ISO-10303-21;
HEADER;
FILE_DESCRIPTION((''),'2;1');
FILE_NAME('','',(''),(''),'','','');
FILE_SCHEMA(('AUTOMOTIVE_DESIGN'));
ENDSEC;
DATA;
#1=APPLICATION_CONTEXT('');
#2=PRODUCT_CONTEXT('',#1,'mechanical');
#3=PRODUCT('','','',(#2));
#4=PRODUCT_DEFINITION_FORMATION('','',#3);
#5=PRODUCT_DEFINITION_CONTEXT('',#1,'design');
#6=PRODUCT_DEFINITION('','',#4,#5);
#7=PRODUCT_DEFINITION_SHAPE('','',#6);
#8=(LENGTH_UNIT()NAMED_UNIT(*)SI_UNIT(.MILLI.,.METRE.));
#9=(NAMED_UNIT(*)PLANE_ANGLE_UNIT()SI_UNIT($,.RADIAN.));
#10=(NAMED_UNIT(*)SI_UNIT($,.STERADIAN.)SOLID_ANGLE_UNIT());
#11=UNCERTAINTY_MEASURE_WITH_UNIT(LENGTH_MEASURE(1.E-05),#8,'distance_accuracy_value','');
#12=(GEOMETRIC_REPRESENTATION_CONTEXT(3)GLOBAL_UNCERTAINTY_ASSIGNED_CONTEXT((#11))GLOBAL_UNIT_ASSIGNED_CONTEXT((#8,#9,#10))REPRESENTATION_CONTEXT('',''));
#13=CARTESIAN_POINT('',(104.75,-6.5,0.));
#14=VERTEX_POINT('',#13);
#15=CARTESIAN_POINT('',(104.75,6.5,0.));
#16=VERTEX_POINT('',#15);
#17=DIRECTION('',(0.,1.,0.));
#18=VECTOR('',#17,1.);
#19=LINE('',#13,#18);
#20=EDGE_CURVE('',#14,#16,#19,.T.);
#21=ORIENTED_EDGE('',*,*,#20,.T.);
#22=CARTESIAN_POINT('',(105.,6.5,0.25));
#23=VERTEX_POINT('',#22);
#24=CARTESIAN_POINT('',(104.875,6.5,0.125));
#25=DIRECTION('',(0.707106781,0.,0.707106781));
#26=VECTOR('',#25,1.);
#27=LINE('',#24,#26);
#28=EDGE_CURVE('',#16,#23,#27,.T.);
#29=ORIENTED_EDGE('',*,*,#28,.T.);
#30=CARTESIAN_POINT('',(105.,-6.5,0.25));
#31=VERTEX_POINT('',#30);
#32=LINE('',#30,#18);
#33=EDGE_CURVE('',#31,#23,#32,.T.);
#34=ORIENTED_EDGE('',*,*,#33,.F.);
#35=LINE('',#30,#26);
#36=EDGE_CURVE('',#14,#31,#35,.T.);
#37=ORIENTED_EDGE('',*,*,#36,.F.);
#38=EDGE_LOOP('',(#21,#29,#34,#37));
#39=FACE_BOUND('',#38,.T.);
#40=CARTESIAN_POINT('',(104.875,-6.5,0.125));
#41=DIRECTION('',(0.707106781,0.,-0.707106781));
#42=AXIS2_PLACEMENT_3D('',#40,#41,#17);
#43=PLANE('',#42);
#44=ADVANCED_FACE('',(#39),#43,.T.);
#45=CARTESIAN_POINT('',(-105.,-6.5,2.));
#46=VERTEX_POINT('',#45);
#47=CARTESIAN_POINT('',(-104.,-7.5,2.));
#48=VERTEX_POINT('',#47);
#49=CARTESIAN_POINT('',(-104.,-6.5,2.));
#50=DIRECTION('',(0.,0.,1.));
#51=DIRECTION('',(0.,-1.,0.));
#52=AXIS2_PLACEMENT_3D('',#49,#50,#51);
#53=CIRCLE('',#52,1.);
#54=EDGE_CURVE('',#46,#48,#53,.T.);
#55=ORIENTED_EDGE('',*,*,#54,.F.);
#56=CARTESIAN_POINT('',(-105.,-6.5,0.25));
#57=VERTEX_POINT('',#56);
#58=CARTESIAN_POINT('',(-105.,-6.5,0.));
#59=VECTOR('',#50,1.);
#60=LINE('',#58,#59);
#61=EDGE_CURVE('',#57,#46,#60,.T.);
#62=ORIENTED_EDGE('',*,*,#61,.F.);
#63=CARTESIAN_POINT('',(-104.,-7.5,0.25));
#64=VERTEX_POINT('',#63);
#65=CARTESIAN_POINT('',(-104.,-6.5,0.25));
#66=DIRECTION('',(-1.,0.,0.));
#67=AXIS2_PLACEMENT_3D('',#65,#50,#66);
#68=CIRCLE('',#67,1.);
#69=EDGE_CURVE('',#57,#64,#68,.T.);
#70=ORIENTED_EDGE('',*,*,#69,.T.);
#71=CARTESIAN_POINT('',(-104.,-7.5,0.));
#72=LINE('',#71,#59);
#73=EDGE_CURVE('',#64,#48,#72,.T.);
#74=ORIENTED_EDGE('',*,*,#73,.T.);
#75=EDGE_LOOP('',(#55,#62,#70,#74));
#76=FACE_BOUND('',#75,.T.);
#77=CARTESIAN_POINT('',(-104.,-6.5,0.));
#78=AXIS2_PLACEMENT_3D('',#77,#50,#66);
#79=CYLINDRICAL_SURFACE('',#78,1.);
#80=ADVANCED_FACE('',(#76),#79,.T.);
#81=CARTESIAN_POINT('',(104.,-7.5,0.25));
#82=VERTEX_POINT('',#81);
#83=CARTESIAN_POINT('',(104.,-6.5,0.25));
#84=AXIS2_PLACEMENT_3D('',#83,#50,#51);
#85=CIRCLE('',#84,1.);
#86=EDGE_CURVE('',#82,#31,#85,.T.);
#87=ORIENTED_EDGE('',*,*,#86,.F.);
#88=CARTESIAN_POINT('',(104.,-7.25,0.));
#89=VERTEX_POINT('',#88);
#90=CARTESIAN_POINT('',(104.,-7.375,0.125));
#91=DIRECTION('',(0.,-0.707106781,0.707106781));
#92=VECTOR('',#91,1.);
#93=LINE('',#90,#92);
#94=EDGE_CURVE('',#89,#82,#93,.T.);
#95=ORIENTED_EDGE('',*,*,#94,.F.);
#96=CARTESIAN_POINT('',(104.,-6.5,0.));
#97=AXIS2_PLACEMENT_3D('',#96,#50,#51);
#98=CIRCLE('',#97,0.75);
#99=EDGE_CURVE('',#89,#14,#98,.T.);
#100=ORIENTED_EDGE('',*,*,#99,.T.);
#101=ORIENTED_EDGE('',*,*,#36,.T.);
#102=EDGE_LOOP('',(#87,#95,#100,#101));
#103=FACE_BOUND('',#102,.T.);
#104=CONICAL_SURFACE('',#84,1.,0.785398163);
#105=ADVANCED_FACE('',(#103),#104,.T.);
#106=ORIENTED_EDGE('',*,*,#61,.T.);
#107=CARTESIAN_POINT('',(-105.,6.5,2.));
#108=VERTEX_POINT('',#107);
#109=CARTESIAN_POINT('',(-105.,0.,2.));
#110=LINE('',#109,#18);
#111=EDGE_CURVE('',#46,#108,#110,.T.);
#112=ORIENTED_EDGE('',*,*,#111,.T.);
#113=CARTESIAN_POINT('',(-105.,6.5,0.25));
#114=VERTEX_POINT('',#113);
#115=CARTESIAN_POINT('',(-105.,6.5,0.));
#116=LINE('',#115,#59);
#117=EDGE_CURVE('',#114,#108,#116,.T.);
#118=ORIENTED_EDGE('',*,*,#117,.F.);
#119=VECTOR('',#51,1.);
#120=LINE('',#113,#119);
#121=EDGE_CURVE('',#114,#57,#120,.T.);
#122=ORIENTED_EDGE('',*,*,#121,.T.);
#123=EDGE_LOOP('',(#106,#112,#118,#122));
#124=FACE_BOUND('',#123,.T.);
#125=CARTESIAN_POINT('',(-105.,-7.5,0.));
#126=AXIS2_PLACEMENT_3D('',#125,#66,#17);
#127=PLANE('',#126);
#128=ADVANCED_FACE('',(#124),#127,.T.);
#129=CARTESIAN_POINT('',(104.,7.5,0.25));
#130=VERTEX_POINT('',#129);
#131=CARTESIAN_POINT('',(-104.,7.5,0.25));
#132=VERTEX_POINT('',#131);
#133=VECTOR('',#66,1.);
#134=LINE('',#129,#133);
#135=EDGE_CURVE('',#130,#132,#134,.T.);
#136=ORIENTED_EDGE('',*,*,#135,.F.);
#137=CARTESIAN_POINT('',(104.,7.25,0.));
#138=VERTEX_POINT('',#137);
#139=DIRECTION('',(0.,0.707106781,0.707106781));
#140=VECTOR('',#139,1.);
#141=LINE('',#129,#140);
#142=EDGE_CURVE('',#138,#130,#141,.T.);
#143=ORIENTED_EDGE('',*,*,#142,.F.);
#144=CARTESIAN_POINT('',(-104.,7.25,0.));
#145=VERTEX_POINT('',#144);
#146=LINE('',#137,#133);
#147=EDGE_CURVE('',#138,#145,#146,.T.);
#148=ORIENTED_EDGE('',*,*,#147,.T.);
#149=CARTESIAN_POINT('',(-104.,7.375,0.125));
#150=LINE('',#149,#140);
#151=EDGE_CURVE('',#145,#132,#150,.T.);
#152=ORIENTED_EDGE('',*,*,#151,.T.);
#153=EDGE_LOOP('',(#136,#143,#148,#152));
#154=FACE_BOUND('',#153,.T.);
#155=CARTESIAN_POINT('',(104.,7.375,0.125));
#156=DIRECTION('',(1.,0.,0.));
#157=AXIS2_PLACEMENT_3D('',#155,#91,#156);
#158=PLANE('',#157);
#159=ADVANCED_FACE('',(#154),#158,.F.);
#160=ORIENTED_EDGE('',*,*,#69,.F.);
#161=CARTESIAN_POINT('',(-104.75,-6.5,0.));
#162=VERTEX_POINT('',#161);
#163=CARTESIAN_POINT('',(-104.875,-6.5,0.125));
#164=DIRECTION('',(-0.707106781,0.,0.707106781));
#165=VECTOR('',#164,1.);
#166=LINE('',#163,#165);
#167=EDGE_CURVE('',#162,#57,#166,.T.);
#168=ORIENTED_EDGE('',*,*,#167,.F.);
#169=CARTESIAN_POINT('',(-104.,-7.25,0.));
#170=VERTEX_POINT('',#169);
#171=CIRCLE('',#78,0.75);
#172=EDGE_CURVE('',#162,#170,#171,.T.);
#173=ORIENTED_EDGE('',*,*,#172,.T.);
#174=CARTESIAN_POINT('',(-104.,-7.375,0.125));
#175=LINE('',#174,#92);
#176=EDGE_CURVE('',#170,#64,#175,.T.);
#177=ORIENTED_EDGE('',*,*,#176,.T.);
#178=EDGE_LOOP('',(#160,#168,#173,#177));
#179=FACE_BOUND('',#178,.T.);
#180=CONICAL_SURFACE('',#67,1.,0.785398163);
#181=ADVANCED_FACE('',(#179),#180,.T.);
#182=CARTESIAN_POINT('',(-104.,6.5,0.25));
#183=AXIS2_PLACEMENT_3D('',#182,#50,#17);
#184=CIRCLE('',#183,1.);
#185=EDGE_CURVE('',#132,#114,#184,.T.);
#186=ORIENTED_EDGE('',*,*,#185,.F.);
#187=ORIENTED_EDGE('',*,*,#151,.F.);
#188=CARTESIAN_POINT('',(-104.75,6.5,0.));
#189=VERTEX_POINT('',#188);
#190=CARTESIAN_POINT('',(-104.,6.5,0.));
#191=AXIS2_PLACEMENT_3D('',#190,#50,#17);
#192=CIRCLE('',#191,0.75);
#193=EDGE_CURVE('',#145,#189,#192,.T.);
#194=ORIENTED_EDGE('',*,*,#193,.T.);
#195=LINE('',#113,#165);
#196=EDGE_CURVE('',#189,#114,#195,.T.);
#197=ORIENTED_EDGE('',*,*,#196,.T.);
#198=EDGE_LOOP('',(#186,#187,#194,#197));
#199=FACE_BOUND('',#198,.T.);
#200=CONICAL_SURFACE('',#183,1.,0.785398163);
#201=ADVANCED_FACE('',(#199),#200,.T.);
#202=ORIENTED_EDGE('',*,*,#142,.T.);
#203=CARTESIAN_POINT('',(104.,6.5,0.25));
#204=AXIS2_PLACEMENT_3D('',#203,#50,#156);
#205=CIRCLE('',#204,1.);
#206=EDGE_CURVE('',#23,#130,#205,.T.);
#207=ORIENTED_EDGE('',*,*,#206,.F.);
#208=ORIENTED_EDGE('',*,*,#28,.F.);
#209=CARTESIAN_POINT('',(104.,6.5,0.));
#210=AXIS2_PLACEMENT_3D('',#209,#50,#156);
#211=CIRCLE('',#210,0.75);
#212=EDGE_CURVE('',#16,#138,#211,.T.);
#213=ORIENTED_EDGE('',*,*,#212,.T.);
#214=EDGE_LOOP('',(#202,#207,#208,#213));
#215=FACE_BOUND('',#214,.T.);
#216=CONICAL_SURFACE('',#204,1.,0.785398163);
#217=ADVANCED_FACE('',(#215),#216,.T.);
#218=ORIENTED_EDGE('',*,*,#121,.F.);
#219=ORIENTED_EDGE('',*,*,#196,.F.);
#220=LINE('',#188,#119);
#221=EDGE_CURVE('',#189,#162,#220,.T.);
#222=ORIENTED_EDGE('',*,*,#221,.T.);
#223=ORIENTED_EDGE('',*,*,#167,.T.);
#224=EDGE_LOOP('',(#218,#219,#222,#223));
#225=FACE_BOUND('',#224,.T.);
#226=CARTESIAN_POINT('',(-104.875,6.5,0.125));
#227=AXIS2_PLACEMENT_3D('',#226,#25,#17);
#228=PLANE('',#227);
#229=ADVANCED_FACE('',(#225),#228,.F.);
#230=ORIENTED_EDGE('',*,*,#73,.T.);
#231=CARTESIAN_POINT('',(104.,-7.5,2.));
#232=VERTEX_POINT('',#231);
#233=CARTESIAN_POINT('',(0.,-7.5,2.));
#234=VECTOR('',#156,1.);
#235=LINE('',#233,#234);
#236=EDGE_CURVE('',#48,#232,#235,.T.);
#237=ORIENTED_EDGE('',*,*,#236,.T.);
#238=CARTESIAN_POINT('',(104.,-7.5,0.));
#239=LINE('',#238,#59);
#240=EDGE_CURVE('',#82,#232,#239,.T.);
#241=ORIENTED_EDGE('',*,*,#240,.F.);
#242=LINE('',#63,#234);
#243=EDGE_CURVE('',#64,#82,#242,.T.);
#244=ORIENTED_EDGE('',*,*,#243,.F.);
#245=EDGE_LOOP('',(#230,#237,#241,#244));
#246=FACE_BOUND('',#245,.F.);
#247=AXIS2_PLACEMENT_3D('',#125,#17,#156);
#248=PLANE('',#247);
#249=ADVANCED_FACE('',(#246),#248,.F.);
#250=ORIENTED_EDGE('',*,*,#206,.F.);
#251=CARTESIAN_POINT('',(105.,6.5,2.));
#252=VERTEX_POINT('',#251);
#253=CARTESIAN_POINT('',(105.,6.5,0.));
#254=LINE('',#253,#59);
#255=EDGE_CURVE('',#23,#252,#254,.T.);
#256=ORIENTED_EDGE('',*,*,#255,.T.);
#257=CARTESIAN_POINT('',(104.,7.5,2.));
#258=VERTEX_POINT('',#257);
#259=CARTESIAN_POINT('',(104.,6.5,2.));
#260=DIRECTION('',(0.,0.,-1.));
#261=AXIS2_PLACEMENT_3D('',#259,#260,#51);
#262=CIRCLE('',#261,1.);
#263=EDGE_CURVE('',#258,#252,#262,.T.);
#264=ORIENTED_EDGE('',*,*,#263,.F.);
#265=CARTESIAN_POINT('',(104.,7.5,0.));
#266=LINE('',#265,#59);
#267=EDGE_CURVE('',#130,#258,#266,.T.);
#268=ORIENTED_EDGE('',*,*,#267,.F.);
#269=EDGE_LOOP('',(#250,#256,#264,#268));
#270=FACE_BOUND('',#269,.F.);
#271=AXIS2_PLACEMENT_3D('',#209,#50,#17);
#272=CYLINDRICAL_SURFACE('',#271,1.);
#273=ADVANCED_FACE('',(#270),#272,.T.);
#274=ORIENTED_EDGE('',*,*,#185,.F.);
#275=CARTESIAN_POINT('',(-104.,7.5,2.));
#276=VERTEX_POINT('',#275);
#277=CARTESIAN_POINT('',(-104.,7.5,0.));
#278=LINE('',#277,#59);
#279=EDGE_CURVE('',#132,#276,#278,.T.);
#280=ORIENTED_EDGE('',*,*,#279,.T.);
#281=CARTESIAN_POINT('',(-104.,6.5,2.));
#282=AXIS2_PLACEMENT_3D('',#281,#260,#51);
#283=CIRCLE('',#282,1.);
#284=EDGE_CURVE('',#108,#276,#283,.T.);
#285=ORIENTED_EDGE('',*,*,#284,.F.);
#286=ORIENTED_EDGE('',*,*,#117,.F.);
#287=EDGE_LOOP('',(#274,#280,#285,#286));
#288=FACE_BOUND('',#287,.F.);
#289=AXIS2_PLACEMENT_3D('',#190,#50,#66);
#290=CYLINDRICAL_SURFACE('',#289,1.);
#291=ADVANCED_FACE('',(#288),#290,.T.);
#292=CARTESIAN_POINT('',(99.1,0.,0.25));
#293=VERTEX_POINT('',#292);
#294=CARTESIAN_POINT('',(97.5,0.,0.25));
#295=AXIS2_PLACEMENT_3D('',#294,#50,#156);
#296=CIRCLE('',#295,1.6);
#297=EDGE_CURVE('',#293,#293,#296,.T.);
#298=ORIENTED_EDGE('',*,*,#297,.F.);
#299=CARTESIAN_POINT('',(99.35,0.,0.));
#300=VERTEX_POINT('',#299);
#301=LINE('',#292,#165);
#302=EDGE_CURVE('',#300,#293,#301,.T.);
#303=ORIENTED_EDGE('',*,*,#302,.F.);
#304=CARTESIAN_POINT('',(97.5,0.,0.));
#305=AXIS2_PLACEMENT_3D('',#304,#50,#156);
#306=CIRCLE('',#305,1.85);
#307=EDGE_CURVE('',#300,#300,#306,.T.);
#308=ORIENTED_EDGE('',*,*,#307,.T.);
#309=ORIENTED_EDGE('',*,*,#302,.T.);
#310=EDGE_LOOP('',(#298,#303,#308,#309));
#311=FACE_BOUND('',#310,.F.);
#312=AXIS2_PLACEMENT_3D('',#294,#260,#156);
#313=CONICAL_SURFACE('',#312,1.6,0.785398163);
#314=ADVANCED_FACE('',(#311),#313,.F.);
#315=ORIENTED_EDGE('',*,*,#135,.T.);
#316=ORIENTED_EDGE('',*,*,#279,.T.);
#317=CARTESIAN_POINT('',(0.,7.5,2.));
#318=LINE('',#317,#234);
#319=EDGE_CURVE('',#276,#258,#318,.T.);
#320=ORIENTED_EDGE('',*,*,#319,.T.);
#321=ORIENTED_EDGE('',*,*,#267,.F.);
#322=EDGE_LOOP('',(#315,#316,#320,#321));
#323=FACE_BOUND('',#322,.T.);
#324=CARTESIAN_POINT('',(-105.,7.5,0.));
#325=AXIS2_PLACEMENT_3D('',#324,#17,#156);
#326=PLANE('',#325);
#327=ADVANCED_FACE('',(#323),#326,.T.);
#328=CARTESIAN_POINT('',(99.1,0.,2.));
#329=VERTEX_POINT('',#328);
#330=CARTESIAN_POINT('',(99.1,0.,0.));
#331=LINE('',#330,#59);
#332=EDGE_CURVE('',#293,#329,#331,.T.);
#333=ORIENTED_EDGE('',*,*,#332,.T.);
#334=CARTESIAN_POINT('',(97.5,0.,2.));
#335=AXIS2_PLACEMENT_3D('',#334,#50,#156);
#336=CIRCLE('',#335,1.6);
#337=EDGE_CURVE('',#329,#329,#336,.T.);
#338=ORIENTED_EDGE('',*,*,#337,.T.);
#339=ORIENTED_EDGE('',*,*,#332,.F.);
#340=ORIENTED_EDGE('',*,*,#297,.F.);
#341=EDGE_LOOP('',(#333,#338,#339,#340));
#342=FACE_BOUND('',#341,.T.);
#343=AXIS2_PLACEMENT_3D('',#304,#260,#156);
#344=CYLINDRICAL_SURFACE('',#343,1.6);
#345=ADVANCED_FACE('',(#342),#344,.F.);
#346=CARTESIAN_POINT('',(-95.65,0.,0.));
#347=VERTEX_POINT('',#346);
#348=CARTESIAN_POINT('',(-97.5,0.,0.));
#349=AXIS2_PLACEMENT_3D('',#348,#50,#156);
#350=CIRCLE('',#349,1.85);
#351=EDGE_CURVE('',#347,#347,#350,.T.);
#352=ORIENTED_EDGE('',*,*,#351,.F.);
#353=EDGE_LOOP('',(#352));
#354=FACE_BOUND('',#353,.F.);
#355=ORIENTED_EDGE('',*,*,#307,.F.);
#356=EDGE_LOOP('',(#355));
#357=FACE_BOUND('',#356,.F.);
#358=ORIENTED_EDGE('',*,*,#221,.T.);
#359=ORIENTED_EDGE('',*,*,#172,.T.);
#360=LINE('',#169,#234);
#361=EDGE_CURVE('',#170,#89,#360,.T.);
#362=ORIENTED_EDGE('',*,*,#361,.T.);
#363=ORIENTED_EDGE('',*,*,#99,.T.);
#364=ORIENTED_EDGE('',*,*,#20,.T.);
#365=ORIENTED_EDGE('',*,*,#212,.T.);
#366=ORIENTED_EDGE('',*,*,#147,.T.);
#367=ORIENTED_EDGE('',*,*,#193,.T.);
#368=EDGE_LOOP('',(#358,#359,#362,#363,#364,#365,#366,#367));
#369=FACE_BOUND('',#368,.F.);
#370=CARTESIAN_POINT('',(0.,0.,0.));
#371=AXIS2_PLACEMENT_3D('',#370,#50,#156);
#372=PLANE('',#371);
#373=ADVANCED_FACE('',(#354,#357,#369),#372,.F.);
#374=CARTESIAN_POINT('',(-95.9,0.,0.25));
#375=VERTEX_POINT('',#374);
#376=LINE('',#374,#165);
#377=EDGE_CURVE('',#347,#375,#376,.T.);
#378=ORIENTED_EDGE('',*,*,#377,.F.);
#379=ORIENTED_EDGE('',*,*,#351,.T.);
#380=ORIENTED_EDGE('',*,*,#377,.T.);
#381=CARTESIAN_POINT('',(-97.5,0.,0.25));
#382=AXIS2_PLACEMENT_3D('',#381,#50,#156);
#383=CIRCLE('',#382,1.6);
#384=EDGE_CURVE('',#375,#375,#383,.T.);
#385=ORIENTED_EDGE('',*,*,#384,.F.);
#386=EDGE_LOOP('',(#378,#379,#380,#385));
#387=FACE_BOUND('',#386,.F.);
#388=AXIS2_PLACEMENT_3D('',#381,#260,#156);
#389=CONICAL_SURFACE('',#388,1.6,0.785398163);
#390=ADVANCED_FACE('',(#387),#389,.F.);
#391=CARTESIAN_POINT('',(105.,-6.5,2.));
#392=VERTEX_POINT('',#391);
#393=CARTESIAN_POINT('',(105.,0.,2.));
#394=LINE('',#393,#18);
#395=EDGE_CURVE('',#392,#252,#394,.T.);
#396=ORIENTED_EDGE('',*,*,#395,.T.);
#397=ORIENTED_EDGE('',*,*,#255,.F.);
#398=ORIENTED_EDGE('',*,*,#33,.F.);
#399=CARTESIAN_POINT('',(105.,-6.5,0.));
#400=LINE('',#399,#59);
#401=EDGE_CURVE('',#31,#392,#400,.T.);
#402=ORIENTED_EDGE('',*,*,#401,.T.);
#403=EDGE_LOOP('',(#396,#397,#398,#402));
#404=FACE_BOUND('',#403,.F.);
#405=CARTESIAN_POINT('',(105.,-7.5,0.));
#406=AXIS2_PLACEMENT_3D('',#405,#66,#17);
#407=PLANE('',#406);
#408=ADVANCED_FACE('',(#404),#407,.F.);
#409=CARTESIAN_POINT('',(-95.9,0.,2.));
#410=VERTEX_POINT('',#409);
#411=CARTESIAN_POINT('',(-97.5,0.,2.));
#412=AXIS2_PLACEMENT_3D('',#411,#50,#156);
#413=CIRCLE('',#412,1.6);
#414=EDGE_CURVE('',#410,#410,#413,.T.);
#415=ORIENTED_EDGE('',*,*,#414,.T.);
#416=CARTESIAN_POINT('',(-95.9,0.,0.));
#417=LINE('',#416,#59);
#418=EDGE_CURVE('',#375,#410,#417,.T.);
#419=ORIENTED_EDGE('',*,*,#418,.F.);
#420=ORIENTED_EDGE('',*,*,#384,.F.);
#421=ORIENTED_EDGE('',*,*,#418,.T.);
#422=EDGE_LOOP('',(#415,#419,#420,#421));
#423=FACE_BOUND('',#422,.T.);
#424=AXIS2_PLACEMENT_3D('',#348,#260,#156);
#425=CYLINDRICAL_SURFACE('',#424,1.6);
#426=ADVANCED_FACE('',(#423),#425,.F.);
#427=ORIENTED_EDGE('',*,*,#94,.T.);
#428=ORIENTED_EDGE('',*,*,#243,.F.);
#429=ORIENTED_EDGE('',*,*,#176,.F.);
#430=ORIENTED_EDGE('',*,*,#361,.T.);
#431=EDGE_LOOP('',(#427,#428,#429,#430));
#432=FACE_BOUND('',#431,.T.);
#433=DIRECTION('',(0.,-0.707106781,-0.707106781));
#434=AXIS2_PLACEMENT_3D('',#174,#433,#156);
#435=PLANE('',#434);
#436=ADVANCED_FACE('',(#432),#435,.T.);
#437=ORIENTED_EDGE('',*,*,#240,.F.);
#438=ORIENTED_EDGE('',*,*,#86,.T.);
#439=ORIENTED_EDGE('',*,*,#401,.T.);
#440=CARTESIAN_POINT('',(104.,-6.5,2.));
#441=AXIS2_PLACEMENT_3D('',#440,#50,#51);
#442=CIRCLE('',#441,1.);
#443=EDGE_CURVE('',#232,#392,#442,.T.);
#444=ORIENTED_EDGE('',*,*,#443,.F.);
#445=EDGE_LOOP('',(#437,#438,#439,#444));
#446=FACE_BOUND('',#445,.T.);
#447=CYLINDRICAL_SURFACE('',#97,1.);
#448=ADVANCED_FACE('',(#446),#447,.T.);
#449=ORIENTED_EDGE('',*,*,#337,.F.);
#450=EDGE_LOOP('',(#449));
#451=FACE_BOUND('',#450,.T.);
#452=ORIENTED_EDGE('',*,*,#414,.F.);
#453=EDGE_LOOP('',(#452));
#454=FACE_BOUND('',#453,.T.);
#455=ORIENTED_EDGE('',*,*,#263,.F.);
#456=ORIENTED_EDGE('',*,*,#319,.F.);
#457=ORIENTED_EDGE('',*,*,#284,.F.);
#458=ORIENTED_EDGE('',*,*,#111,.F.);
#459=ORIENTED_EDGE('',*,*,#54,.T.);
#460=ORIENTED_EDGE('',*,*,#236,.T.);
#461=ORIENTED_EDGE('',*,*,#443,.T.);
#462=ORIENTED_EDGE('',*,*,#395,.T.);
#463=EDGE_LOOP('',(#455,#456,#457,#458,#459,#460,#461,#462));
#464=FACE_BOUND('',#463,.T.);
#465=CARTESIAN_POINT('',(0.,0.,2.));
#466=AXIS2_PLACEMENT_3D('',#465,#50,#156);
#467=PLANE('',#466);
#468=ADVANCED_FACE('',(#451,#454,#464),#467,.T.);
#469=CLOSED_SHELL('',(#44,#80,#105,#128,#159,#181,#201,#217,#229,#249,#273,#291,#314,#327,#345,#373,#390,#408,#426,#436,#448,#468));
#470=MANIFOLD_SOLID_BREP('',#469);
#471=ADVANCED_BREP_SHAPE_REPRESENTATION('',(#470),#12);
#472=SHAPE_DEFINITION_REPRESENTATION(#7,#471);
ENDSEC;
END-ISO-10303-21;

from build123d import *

# Parameters (mm, degrees)
F0_W     = 210
F0_H     = 15
F0_R     = 1.6
F1_DEPTH = 2
F2_R     = 1
F3_SIZE  = 0.25


with BuildPart() as f1:
    # F0 (on Top) → F1 (new body)
    with BuildSketch(Plane.XY):
        Rectangle(F0_W, F0_H)
        with Locations((-97.5, 0)):
            Circle(F0_R, mode=Mode.SUBTRACT)
        with Locations((97.5, 0)):
            Circle(F0_R, mode=Mode.SUBTRACT)
    extrude(amount=F1_DEPTH)

    # F2
    f2_edges = [f1.edges().sort_by_distance(p)[0] for p in [
        (-105, 7.5, 1),
        (-105, -7.5, 1),
        (105, 7.5, 1),
        (105, -7.5, 1),
    ]]
    fillet(f2_edges, radius=F2_R)

    # F3
    f3_edges = [f1.edges().sort_by_distance(p)[0] for p in [
        (0, -7.5, 0),
        (-104.707107, -7.207107, 0),
        (104.707107, -7.207107, 0),
        (-105, 0, 0),
        (105, 0, 0),
        (-104.707107, 7.207107, 0),
        (104.707107, 7.207107, 0),
        (0, 7.5, 0),
        (-99.1, 0, 0),
        (95.9, 0, 0),
    ]]
    chamfer(f3_edges, length=F3_SIZE)


solid = f1.part
